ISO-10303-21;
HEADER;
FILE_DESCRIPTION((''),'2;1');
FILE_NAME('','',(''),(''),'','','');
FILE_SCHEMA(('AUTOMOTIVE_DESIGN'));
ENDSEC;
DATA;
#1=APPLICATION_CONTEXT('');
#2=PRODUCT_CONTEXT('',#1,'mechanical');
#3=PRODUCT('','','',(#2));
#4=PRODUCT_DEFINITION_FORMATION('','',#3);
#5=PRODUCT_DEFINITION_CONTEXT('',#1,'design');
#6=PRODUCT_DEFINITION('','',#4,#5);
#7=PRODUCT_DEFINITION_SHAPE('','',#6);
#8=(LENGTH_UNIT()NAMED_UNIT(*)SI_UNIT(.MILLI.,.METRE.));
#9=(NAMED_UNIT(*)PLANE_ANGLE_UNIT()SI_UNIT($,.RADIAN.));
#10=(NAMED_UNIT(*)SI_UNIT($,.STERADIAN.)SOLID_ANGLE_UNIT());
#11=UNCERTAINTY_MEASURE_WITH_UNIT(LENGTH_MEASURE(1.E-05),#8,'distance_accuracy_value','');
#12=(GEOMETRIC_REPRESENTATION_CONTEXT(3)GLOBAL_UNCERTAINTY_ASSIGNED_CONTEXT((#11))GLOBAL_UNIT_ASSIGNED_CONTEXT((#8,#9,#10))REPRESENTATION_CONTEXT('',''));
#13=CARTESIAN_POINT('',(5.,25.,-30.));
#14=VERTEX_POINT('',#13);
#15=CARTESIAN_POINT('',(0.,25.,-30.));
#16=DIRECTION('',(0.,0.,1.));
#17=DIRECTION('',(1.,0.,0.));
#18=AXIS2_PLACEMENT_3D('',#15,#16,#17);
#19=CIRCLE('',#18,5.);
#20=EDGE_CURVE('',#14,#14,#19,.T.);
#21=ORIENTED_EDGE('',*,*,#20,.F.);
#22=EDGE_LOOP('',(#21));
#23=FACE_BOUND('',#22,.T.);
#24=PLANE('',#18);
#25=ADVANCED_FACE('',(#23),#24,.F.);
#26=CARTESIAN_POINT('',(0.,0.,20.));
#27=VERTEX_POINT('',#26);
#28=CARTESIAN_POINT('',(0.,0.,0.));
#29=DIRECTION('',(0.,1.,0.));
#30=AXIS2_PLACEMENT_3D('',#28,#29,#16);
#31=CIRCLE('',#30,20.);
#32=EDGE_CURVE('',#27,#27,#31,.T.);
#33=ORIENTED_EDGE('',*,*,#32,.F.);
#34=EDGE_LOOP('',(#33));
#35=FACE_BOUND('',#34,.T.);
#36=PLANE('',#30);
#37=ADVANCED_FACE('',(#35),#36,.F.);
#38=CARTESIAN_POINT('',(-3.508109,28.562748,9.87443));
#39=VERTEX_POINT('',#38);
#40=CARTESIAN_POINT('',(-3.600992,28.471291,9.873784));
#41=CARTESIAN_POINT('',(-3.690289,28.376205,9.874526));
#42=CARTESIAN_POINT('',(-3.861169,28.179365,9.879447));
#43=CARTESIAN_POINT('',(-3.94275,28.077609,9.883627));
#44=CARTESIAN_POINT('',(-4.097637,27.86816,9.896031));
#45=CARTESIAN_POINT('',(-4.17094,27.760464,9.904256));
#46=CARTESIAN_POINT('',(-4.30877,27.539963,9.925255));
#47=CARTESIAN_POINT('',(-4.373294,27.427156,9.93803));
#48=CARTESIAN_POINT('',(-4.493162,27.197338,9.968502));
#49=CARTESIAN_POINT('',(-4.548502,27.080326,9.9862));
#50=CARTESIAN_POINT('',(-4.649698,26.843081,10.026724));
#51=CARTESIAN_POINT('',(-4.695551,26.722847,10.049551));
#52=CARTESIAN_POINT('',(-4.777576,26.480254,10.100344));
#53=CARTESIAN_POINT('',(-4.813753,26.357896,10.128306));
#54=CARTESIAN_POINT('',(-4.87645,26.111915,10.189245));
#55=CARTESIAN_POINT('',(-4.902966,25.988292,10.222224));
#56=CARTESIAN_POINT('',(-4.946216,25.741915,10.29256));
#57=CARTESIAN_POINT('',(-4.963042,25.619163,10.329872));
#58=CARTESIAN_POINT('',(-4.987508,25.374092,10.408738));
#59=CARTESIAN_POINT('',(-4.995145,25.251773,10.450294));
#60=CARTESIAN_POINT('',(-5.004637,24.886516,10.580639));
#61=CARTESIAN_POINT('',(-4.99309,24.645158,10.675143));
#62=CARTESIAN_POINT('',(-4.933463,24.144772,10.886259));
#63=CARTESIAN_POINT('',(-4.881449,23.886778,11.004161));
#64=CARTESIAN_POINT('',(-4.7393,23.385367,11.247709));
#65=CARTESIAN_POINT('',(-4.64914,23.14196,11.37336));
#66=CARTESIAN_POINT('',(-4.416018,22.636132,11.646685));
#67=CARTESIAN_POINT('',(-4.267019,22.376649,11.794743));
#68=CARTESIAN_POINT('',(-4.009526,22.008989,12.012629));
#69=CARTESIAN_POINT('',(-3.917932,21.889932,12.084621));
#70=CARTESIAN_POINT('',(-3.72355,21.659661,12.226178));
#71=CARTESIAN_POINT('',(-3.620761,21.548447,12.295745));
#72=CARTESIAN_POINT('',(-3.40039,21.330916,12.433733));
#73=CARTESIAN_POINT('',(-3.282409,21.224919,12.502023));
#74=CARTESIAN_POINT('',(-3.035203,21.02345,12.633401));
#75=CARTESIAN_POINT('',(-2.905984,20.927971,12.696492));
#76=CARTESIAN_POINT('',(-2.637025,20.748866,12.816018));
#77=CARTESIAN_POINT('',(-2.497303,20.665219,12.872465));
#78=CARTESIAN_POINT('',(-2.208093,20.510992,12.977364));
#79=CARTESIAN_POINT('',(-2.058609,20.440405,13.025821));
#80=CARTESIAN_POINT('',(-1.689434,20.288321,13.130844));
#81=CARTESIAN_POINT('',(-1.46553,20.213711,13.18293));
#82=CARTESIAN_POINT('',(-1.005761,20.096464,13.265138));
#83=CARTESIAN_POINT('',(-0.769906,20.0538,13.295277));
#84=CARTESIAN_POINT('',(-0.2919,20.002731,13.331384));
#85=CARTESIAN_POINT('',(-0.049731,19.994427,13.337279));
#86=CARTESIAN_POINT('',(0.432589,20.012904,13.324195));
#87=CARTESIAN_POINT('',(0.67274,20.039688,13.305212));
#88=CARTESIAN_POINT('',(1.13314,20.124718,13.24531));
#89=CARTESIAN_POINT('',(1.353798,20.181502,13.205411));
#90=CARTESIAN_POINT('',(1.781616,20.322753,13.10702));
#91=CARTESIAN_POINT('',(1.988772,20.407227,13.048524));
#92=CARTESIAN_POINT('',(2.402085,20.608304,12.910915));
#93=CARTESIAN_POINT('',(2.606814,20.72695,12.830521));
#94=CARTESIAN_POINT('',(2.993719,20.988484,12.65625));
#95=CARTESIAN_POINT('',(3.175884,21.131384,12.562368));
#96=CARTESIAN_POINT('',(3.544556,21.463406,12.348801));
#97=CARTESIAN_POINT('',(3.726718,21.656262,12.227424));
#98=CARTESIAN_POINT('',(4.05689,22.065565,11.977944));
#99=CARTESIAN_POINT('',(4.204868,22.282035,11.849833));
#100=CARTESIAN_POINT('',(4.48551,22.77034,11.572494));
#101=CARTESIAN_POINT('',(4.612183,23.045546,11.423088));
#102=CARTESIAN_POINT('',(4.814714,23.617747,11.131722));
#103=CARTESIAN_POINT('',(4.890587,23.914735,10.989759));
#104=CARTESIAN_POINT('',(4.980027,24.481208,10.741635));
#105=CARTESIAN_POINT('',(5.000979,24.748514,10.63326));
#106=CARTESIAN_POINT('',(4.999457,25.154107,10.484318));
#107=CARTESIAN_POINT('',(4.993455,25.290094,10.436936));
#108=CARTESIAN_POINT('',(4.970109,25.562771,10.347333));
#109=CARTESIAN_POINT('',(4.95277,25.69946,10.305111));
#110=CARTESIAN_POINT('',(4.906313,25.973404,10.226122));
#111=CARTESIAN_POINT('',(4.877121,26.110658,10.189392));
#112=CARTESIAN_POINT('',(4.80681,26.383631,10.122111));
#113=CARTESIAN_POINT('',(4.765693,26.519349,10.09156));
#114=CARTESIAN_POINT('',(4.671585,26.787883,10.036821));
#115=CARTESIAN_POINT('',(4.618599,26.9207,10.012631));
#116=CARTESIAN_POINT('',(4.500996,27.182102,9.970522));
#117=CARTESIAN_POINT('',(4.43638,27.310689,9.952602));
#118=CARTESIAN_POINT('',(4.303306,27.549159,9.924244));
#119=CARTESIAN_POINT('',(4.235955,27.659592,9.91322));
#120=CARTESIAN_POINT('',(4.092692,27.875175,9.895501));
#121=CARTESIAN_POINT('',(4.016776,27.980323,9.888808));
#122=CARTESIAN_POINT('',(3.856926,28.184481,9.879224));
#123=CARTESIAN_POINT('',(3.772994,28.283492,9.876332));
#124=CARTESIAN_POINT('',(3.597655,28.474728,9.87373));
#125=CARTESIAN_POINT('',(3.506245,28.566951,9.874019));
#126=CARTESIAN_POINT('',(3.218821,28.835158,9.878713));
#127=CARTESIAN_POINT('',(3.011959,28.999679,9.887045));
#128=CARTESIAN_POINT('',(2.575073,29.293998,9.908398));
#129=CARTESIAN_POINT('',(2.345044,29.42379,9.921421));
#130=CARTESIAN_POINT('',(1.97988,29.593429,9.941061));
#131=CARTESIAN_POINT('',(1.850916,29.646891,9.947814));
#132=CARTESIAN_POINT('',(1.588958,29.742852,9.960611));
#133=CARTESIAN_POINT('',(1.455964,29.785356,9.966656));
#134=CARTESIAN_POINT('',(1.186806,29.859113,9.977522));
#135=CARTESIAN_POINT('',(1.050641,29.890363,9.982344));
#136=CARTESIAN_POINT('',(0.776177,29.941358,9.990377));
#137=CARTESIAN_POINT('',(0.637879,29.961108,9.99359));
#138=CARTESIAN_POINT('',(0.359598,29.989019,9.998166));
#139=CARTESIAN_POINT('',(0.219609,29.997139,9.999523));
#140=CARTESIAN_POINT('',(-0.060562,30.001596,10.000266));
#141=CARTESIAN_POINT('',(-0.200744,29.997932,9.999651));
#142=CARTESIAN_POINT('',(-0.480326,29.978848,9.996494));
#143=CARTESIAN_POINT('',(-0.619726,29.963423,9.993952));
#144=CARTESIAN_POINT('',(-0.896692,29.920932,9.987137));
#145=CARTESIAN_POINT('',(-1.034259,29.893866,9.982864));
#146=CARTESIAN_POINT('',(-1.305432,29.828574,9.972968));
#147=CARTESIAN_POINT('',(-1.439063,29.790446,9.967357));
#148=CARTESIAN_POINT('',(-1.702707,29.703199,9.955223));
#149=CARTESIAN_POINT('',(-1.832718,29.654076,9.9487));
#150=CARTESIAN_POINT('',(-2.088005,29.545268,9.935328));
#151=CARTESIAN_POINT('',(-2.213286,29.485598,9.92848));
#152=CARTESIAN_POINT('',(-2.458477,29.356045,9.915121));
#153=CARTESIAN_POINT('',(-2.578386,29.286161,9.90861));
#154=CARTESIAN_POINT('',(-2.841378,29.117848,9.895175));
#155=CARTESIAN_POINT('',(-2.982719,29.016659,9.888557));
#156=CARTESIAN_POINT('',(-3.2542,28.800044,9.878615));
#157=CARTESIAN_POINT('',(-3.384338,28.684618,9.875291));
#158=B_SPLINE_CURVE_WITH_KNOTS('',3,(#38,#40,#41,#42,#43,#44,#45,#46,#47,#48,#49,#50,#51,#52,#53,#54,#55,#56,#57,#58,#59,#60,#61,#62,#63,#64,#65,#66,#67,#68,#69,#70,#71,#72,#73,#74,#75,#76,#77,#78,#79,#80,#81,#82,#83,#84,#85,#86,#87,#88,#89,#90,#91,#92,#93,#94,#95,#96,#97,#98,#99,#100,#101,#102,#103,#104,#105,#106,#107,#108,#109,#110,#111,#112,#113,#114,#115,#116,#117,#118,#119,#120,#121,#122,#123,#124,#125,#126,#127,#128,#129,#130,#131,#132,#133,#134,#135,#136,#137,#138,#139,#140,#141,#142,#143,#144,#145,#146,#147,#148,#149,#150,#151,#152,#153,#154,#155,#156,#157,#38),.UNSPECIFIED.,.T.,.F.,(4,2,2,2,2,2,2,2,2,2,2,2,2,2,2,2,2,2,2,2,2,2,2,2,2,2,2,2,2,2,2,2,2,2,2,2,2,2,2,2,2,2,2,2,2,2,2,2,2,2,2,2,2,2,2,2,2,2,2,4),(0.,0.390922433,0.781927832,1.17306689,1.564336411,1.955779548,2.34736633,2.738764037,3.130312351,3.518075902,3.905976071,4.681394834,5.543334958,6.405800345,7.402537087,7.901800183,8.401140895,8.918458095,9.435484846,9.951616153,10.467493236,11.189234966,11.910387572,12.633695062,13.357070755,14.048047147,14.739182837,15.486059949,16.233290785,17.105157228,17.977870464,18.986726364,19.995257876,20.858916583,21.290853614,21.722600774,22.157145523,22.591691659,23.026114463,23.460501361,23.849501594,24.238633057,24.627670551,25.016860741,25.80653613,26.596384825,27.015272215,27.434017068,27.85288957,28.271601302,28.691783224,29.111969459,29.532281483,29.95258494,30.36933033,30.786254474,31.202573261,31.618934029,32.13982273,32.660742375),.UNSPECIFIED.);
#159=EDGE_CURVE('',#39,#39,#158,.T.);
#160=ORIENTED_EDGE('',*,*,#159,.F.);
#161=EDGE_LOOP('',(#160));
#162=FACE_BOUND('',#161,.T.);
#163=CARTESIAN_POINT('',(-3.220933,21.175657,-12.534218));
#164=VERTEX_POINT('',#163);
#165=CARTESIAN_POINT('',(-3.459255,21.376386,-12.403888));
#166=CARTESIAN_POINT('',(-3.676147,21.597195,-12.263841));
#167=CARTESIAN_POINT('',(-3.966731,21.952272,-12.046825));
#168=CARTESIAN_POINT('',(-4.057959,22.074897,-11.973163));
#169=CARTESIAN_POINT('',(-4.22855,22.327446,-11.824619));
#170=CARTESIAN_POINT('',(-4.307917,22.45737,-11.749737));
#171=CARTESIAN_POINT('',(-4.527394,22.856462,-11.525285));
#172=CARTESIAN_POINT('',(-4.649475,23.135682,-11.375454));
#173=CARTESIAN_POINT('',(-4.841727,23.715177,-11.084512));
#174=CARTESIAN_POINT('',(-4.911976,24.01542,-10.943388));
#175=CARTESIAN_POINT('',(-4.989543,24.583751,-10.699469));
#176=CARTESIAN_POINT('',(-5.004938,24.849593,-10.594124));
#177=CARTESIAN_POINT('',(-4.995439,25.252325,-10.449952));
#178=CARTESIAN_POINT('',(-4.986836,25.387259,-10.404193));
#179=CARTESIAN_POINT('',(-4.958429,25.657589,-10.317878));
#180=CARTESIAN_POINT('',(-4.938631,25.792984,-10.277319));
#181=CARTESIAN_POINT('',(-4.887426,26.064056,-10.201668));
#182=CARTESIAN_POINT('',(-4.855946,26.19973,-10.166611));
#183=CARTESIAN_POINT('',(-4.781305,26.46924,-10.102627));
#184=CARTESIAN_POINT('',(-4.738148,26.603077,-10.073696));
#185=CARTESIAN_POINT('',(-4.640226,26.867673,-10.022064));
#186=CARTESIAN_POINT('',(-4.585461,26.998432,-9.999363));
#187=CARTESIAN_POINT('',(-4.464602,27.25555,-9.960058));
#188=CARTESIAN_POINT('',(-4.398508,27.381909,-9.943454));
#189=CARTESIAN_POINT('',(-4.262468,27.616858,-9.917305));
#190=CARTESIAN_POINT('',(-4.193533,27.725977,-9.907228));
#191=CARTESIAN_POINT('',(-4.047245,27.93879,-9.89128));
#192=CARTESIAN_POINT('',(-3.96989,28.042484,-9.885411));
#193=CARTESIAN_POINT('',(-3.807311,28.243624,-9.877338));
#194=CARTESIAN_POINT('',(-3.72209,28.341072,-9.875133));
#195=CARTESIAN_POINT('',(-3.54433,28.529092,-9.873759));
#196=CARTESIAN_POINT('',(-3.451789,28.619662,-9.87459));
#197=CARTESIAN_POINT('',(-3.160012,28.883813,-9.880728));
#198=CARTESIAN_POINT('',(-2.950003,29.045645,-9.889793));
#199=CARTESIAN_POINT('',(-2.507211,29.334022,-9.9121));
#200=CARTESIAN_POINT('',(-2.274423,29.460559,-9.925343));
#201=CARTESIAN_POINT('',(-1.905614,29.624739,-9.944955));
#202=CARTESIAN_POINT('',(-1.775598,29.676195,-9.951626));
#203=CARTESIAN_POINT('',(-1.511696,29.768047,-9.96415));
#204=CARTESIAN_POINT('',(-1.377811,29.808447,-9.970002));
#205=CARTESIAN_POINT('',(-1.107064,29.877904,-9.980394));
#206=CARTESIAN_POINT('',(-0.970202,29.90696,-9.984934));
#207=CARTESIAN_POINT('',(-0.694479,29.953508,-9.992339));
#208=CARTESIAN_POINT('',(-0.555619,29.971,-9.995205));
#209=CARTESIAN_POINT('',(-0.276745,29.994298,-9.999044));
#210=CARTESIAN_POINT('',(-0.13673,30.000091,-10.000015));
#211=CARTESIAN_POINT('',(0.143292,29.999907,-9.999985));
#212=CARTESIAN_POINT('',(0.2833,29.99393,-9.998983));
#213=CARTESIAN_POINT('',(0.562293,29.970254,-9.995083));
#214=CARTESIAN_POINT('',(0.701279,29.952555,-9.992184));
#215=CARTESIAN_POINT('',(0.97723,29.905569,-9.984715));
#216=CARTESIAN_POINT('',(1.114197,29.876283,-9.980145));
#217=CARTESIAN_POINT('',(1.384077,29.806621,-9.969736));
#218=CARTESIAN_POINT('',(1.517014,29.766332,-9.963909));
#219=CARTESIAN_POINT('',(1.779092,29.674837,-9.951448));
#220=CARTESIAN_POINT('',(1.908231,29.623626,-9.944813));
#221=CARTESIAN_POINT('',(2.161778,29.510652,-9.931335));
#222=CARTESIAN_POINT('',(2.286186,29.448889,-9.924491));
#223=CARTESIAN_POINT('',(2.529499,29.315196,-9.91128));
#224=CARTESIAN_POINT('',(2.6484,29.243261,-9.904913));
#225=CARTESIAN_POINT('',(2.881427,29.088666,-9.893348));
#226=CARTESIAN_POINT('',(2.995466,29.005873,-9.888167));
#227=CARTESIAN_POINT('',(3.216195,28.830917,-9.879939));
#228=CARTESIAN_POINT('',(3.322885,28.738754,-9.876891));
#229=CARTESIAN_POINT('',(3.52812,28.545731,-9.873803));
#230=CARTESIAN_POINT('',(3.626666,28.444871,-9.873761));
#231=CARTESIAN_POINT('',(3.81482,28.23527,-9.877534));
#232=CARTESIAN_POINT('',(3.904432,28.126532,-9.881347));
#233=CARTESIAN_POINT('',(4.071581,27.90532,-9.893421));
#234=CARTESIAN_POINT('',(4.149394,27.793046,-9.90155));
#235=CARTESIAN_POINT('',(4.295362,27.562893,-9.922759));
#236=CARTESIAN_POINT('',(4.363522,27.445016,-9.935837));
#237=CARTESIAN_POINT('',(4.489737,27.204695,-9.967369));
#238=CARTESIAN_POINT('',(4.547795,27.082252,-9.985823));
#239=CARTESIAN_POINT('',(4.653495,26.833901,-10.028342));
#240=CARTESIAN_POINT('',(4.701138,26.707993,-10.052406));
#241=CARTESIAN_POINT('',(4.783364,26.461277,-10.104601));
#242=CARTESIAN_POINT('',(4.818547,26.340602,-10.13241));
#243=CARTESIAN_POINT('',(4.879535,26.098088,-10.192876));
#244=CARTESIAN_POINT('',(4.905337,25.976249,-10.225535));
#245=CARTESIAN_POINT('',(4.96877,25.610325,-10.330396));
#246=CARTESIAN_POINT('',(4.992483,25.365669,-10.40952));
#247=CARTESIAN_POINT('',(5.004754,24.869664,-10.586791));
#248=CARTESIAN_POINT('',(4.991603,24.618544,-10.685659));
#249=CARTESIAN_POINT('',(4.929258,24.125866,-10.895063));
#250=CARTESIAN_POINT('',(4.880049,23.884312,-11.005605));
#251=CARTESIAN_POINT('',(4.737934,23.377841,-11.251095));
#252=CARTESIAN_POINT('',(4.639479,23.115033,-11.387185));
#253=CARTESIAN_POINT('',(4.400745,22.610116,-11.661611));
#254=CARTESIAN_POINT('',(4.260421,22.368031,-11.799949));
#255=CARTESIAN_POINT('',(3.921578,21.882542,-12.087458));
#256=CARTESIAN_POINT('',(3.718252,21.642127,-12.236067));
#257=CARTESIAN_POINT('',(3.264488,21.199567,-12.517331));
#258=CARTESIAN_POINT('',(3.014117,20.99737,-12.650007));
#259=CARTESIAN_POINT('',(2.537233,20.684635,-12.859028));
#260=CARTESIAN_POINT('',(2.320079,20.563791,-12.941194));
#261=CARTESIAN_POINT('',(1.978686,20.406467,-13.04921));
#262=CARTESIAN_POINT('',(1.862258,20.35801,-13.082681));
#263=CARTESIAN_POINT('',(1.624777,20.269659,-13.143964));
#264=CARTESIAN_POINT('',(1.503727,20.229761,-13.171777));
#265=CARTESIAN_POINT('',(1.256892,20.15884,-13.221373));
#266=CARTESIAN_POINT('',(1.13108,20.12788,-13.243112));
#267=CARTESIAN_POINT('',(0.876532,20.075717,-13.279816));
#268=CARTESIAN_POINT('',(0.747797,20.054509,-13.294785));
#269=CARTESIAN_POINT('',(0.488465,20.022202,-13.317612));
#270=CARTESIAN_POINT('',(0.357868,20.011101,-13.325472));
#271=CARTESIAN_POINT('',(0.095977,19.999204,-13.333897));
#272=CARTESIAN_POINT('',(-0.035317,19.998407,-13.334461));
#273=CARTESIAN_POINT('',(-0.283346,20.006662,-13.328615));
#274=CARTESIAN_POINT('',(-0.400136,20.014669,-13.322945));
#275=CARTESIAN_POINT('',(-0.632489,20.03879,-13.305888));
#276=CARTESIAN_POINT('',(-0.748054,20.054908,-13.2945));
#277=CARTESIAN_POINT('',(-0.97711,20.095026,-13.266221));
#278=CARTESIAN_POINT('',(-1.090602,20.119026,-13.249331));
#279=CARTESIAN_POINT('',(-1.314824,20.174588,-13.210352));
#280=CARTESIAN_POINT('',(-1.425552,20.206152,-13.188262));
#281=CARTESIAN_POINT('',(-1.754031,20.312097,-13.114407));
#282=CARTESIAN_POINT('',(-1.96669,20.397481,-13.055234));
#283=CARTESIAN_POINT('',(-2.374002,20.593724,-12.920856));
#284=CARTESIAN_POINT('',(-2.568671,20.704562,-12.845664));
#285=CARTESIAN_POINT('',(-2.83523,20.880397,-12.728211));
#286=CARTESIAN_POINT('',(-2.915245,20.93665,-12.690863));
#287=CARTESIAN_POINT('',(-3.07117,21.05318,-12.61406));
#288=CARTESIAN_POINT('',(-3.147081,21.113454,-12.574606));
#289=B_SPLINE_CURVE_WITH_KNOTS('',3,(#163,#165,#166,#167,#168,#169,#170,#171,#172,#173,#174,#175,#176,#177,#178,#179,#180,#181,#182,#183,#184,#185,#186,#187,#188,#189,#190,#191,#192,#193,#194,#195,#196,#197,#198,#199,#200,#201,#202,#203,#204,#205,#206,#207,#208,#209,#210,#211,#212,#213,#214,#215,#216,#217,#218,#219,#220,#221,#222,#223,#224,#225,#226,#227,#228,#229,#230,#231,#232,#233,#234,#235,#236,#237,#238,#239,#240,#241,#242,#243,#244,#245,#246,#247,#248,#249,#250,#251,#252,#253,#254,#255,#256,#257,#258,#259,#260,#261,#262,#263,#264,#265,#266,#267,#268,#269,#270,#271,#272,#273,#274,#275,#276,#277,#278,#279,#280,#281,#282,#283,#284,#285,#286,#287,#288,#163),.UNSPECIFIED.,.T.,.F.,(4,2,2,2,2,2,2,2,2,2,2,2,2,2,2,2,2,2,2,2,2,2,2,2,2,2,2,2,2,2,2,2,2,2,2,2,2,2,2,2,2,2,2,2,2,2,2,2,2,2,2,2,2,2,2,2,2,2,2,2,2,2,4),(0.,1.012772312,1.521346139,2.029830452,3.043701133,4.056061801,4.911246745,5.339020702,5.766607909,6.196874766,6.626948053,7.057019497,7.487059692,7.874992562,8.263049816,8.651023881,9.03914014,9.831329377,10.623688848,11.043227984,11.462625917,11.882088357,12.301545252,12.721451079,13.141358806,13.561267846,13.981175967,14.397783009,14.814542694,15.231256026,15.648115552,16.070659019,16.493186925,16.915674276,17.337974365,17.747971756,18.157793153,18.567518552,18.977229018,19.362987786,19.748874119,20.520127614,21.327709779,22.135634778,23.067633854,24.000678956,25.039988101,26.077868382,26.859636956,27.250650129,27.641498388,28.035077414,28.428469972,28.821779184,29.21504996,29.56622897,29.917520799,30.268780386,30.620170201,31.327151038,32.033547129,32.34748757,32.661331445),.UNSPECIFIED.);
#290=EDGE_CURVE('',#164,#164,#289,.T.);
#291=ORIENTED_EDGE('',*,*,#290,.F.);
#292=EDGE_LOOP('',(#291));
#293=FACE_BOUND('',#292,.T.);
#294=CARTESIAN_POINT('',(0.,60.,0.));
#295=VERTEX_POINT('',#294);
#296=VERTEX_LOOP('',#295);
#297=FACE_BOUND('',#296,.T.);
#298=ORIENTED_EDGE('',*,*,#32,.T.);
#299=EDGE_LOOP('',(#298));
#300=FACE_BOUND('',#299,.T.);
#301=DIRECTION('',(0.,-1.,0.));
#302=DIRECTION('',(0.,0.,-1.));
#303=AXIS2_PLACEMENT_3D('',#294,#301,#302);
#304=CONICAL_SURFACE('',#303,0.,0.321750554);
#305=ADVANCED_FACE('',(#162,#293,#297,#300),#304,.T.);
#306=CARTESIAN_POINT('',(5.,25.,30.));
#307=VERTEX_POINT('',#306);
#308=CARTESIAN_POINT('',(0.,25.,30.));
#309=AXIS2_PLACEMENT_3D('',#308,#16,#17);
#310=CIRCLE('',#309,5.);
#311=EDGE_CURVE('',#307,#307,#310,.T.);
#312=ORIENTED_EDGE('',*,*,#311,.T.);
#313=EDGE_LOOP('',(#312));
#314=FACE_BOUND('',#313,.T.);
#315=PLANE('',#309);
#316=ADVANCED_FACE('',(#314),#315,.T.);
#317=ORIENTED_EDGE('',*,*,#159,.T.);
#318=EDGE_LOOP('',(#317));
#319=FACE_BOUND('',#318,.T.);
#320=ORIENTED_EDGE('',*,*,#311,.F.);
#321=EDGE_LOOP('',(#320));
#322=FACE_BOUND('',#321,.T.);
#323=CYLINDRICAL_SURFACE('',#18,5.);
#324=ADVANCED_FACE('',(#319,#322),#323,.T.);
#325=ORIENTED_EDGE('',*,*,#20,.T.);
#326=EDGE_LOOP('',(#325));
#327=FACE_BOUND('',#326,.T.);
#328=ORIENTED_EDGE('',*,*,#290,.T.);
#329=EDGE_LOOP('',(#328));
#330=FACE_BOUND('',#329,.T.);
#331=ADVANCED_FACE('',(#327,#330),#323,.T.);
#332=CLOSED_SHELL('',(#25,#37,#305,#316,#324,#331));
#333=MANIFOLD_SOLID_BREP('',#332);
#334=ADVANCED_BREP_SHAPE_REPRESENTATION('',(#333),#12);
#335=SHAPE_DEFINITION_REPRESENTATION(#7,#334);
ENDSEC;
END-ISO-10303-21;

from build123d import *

# Parameters (mm, degrees)
SKETCH_1_R           = 20
EXTRUDE_1_DEPTH      = 30
EXTRUDE_1_DEPTH_BACK = 30
SKETCH_3_R           = 5


with BuildPart() as part:
    # 草图1 → 放样1 section 0
    with BuildSketch(Plane(origin=(0, 0, 0), x_dir=(1, 0, 0), z_dir=(0, 1, 0)), mode=Mode.PRIVATE) as loft_1_s0:
        Circle(SKETCH_1_R)
    loft([Vertex(0, 60, 0), loft_1_s0.sketch])

    # 草图3 → 凸台-拉伸1 (add, two sides: drawn at the far end of the back side and taken through both)
    with BuildSketch(Plane.XY.offset(-EXTRUDE_1_DEPTH_BACK)):
        with Locations((0, 25)):
            Circle(SKETCH_3_R)
    extrude(amount=EXTRUDE_1_DEPTH + EXTRUDE_1_DEPTH_BACK)


solid = part.part
